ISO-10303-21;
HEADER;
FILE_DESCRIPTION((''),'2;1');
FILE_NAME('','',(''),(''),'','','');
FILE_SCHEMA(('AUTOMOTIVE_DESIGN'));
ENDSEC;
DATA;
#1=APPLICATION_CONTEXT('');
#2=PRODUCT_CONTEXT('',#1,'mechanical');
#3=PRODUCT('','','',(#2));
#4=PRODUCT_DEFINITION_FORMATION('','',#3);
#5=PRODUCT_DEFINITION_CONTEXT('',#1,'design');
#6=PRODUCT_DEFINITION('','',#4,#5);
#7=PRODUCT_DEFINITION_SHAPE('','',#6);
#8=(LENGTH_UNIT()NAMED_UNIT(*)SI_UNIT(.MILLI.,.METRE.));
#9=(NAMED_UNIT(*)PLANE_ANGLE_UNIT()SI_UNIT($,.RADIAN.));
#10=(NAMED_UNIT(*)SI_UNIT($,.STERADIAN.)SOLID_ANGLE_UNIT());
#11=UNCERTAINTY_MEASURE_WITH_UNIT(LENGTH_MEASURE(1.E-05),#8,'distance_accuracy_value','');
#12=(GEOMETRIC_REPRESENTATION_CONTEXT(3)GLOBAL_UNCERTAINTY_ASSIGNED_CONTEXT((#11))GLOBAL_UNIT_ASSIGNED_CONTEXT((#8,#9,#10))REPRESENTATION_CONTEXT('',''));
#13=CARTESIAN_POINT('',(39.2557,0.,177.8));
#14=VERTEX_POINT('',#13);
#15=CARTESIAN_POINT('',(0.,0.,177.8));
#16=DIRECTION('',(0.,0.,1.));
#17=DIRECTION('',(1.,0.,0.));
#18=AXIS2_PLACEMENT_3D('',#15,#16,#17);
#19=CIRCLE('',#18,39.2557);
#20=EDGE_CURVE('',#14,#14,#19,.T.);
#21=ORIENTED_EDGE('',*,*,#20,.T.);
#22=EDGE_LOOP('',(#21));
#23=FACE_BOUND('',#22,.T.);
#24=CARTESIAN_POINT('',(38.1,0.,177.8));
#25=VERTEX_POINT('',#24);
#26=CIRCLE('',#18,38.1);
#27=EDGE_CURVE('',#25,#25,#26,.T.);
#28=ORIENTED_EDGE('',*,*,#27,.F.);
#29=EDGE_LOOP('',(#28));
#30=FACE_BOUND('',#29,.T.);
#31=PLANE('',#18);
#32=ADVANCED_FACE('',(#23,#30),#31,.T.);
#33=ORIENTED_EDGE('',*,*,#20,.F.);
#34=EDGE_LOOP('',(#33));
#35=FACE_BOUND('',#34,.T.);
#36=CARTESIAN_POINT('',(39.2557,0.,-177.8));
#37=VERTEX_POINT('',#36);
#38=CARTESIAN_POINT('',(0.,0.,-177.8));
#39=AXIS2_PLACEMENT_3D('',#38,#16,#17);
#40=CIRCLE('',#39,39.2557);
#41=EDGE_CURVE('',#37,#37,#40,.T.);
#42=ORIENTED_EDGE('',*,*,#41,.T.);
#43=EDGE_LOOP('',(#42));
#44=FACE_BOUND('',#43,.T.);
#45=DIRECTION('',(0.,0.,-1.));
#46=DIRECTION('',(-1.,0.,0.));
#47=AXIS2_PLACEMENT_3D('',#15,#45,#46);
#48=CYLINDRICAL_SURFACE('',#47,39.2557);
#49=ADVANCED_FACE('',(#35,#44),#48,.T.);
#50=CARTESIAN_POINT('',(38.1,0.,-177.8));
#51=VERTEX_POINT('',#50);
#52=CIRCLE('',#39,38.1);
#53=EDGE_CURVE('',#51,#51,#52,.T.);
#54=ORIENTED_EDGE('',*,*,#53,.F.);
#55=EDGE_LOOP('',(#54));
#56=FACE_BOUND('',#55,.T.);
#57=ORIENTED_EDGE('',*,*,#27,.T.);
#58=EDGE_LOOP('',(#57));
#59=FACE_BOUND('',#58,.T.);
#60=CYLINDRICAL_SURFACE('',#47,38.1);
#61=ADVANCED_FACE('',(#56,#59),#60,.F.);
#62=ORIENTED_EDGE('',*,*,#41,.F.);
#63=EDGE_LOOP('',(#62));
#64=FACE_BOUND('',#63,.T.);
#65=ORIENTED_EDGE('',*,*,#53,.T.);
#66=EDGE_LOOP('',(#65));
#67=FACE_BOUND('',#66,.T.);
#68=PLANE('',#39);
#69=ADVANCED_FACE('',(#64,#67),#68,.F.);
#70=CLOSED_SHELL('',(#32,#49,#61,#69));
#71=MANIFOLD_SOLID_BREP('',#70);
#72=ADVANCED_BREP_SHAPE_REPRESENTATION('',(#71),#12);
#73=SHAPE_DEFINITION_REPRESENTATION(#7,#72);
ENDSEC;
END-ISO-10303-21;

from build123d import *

# Parameters (mm, degrees)
SKETCH1_R           = 39.2557
SKETCH1_R_2         = 38.1
BOSS_EXTRUDE1_DEPTH = 177.8


with BuildPart() as part:
    # Sketch1 → Boss-Extrude1 (new body, symmetric)
    with BuildSketch(Plane.XY):
        Circle(SKETCH1_R)
        Circle(SKETCH1_R_2, mode=Mode.SUBTRACT)
    extrude(amount=BOSS_EXTRUDE1_DEPTH, both=True)


solid = part.part
